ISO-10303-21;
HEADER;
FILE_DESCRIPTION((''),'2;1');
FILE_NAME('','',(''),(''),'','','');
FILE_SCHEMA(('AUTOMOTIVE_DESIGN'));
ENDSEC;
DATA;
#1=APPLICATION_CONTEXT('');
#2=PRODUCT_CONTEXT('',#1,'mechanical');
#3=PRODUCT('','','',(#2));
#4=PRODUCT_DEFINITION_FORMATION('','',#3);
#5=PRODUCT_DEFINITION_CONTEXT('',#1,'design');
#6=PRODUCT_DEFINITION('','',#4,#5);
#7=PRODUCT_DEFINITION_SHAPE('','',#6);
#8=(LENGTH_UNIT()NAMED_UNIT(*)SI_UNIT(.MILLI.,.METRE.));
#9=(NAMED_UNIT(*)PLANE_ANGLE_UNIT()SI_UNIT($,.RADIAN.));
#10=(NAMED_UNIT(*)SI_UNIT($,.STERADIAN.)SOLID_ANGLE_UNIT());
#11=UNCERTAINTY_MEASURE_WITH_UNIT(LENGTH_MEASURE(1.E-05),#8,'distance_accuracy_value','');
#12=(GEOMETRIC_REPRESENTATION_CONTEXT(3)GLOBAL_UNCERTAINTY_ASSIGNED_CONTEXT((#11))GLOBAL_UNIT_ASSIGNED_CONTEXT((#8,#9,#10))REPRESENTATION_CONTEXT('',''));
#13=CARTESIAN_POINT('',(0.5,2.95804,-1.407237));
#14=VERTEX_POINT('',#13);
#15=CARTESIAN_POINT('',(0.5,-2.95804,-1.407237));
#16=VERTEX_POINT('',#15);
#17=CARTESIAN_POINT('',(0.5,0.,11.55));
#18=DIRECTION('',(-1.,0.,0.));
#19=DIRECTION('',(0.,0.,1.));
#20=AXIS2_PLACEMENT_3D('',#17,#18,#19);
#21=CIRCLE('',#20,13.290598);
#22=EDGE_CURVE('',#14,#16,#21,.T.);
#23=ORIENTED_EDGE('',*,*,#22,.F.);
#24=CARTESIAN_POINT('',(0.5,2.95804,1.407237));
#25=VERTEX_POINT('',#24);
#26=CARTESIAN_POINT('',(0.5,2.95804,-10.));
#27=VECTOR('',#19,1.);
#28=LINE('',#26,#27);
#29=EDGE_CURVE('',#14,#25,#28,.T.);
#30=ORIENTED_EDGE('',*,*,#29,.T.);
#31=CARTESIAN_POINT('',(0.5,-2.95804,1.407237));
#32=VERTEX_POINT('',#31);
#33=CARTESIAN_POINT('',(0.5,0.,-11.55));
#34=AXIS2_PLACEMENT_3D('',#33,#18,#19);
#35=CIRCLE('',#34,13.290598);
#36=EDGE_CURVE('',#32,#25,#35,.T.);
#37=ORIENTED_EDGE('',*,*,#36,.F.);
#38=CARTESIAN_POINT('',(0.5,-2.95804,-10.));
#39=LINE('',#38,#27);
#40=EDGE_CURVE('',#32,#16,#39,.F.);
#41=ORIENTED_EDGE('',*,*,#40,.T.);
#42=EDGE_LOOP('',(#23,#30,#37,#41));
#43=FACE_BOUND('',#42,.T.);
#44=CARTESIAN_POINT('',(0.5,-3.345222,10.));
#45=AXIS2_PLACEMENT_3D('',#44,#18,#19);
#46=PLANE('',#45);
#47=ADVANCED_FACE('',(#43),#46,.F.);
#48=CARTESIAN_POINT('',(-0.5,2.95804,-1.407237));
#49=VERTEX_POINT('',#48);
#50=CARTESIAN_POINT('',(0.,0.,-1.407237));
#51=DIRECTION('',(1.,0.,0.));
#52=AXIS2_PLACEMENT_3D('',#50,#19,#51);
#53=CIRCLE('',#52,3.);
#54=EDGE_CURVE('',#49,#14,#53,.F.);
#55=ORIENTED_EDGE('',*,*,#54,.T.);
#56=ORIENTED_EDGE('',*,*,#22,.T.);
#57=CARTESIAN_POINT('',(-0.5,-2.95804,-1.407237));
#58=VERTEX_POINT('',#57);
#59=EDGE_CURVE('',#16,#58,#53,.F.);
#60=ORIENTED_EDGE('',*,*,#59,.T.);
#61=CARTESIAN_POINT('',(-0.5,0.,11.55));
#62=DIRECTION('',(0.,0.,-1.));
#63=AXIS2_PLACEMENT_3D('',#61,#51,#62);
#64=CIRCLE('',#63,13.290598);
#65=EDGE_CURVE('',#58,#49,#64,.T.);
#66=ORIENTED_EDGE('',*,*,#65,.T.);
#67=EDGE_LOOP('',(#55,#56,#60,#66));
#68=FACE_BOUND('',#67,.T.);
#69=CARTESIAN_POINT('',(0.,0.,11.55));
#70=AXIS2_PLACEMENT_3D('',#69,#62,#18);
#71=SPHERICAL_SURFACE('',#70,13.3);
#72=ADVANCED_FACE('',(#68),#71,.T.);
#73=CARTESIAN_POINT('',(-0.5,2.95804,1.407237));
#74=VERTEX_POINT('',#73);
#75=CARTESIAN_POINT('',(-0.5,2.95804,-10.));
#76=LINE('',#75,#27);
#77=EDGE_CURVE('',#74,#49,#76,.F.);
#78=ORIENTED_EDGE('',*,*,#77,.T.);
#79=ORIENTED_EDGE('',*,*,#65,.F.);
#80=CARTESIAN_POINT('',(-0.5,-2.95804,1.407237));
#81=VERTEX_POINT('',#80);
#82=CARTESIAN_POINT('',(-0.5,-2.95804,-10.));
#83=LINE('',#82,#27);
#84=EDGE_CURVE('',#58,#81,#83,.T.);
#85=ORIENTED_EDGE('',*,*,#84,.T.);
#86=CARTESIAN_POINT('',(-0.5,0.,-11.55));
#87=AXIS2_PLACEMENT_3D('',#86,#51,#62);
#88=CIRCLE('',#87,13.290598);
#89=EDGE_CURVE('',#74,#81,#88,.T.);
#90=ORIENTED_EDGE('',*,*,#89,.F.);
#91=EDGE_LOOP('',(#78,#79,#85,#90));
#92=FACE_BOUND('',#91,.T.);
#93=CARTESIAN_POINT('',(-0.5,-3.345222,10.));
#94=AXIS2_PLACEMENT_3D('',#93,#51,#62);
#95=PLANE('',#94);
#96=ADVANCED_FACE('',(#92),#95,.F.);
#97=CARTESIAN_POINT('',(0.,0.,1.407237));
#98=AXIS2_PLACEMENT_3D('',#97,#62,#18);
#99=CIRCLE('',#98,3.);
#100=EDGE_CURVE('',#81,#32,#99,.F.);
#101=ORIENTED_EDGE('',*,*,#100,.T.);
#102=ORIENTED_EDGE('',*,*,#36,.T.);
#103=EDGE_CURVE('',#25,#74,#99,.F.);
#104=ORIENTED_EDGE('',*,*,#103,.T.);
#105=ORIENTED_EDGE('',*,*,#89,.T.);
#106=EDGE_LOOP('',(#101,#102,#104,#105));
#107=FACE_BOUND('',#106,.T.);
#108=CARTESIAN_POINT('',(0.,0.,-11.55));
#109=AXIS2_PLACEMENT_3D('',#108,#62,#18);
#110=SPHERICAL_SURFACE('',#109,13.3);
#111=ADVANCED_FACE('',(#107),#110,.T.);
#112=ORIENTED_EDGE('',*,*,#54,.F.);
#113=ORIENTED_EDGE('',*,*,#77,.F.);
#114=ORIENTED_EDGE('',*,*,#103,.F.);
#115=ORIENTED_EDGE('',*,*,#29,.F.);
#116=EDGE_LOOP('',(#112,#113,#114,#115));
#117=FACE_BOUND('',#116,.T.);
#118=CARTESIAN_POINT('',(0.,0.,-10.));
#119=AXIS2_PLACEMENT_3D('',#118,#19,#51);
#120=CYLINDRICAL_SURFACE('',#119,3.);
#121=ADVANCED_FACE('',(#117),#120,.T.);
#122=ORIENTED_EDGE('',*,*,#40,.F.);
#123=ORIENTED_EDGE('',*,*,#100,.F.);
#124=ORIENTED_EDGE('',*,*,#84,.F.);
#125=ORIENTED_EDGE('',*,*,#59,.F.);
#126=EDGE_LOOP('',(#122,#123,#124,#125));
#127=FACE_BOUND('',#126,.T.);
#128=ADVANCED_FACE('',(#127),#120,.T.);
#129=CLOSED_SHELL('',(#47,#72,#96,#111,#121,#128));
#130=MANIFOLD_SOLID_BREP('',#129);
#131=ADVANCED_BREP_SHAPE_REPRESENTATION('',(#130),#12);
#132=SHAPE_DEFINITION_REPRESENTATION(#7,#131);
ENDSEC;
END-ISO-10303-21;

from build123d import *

# Parameters (mm, degrees)
BOSS_EXTRUDE1_DEPTH      = 10
BOSS_EXTRUDE1_DEPTH_BACK = 10
SKETCH1_R                = 3
CUT_EXTRUDE1_DEPTH       = 10
CUT_EXTRUDE1_DEPTH_BACK  = 10
SKETCH11_OUTSIDE_W       = 9.836
SKETCH11_OUTSIDE_H       = 9.836
SKETCH11_OUTSIDE_W_2     = 1
SKETCH11_OUTSIDE_H_2     = 6.690443666


with BuildPart() as part:
    # Sketch1 → Boss-Extrude1 (new, two sides: drawn at the far end of the back side and taken through both)
    with BuildSketch(Plane.XY.offset(-BOSS_EXTRUDE1_DEPTH_BACK)):
        Circle(SKETCH1_R)
    extrude(amount=BOSS_EXTRUDE1_DEPTH + BOSS_EXTRUDE1_DEPTH_BACK)

    # Sketch7 → Cut-Revolve5 (revolve, cut)
    with BuildSketch(Plane(origin=(0, 0, 0), x_dir=(1, 0, 0), z_dir=(0, 1, 0))):
        with BuildLine():
            Line((-5.350229687, -0.626413359), (-7.837029965, -11.630035865))
            Line((-7.837029965, -11.630035865), (0, -12.681735183))
            Line((0, -12.681735183), (0, -1.75))
            ThreePointArc((0, -1.75), (-2.733468705, -1.466072712), (-5.350229687, -0.626413359))
        make_face()
    revolve(axis=Axis((0, 0, -10), (0, 0, 1)), mode=Mode.SUBTRACT)

    # Sketch10 → Cut-Revolve6 (revolve, cut)
    with BuildSketch(Plane(origin=(0, 0, 0), x_dir=(1, 0, 0), z_dir=(0, 1, 0))):
        with BuildLine():
            Line((-9.335027104, -2.076496478), (-9.335027104, 13.220347749))
            Line((-9.335027104, 13.220347749), (0, 13.220347749))
            Line((0, 13.220347749), (0, 1.75))
            ThreePointArc((0, 1.75), (-5.044422819, 0.75625038), (-9.335027104, -2.076496478))
        make_face()
    revolve(axis=Axis((0, 0, -13.220347749), (0, 0, 1)), mode=Mode.SUBTRACT)

    # Sketch11 outside → Cut-Extrude1 (cut, two sides: drawn at the far end of the back side and taken through both)
    with BuildSketch(Plane.XY.offset(-CUT_EXTRUDE1_DEPTH_BACK)):
        Rectangle(SKETCH11_OUTSIDE_W, SKETCH11_OUTSIDE_H)
        Rectangle(SKETCH11_OUTSIDE_W_2, SKETCH11_OUTSIDE_H_2, mode=Mode.SUBTRACT)
    extrude(amount=CUT_EXTRUDE1_DEPTH + CUT_EXTRUDE1_DEPTH_BACK, mode=Mode.SUBTRACT)


solid = part.part
